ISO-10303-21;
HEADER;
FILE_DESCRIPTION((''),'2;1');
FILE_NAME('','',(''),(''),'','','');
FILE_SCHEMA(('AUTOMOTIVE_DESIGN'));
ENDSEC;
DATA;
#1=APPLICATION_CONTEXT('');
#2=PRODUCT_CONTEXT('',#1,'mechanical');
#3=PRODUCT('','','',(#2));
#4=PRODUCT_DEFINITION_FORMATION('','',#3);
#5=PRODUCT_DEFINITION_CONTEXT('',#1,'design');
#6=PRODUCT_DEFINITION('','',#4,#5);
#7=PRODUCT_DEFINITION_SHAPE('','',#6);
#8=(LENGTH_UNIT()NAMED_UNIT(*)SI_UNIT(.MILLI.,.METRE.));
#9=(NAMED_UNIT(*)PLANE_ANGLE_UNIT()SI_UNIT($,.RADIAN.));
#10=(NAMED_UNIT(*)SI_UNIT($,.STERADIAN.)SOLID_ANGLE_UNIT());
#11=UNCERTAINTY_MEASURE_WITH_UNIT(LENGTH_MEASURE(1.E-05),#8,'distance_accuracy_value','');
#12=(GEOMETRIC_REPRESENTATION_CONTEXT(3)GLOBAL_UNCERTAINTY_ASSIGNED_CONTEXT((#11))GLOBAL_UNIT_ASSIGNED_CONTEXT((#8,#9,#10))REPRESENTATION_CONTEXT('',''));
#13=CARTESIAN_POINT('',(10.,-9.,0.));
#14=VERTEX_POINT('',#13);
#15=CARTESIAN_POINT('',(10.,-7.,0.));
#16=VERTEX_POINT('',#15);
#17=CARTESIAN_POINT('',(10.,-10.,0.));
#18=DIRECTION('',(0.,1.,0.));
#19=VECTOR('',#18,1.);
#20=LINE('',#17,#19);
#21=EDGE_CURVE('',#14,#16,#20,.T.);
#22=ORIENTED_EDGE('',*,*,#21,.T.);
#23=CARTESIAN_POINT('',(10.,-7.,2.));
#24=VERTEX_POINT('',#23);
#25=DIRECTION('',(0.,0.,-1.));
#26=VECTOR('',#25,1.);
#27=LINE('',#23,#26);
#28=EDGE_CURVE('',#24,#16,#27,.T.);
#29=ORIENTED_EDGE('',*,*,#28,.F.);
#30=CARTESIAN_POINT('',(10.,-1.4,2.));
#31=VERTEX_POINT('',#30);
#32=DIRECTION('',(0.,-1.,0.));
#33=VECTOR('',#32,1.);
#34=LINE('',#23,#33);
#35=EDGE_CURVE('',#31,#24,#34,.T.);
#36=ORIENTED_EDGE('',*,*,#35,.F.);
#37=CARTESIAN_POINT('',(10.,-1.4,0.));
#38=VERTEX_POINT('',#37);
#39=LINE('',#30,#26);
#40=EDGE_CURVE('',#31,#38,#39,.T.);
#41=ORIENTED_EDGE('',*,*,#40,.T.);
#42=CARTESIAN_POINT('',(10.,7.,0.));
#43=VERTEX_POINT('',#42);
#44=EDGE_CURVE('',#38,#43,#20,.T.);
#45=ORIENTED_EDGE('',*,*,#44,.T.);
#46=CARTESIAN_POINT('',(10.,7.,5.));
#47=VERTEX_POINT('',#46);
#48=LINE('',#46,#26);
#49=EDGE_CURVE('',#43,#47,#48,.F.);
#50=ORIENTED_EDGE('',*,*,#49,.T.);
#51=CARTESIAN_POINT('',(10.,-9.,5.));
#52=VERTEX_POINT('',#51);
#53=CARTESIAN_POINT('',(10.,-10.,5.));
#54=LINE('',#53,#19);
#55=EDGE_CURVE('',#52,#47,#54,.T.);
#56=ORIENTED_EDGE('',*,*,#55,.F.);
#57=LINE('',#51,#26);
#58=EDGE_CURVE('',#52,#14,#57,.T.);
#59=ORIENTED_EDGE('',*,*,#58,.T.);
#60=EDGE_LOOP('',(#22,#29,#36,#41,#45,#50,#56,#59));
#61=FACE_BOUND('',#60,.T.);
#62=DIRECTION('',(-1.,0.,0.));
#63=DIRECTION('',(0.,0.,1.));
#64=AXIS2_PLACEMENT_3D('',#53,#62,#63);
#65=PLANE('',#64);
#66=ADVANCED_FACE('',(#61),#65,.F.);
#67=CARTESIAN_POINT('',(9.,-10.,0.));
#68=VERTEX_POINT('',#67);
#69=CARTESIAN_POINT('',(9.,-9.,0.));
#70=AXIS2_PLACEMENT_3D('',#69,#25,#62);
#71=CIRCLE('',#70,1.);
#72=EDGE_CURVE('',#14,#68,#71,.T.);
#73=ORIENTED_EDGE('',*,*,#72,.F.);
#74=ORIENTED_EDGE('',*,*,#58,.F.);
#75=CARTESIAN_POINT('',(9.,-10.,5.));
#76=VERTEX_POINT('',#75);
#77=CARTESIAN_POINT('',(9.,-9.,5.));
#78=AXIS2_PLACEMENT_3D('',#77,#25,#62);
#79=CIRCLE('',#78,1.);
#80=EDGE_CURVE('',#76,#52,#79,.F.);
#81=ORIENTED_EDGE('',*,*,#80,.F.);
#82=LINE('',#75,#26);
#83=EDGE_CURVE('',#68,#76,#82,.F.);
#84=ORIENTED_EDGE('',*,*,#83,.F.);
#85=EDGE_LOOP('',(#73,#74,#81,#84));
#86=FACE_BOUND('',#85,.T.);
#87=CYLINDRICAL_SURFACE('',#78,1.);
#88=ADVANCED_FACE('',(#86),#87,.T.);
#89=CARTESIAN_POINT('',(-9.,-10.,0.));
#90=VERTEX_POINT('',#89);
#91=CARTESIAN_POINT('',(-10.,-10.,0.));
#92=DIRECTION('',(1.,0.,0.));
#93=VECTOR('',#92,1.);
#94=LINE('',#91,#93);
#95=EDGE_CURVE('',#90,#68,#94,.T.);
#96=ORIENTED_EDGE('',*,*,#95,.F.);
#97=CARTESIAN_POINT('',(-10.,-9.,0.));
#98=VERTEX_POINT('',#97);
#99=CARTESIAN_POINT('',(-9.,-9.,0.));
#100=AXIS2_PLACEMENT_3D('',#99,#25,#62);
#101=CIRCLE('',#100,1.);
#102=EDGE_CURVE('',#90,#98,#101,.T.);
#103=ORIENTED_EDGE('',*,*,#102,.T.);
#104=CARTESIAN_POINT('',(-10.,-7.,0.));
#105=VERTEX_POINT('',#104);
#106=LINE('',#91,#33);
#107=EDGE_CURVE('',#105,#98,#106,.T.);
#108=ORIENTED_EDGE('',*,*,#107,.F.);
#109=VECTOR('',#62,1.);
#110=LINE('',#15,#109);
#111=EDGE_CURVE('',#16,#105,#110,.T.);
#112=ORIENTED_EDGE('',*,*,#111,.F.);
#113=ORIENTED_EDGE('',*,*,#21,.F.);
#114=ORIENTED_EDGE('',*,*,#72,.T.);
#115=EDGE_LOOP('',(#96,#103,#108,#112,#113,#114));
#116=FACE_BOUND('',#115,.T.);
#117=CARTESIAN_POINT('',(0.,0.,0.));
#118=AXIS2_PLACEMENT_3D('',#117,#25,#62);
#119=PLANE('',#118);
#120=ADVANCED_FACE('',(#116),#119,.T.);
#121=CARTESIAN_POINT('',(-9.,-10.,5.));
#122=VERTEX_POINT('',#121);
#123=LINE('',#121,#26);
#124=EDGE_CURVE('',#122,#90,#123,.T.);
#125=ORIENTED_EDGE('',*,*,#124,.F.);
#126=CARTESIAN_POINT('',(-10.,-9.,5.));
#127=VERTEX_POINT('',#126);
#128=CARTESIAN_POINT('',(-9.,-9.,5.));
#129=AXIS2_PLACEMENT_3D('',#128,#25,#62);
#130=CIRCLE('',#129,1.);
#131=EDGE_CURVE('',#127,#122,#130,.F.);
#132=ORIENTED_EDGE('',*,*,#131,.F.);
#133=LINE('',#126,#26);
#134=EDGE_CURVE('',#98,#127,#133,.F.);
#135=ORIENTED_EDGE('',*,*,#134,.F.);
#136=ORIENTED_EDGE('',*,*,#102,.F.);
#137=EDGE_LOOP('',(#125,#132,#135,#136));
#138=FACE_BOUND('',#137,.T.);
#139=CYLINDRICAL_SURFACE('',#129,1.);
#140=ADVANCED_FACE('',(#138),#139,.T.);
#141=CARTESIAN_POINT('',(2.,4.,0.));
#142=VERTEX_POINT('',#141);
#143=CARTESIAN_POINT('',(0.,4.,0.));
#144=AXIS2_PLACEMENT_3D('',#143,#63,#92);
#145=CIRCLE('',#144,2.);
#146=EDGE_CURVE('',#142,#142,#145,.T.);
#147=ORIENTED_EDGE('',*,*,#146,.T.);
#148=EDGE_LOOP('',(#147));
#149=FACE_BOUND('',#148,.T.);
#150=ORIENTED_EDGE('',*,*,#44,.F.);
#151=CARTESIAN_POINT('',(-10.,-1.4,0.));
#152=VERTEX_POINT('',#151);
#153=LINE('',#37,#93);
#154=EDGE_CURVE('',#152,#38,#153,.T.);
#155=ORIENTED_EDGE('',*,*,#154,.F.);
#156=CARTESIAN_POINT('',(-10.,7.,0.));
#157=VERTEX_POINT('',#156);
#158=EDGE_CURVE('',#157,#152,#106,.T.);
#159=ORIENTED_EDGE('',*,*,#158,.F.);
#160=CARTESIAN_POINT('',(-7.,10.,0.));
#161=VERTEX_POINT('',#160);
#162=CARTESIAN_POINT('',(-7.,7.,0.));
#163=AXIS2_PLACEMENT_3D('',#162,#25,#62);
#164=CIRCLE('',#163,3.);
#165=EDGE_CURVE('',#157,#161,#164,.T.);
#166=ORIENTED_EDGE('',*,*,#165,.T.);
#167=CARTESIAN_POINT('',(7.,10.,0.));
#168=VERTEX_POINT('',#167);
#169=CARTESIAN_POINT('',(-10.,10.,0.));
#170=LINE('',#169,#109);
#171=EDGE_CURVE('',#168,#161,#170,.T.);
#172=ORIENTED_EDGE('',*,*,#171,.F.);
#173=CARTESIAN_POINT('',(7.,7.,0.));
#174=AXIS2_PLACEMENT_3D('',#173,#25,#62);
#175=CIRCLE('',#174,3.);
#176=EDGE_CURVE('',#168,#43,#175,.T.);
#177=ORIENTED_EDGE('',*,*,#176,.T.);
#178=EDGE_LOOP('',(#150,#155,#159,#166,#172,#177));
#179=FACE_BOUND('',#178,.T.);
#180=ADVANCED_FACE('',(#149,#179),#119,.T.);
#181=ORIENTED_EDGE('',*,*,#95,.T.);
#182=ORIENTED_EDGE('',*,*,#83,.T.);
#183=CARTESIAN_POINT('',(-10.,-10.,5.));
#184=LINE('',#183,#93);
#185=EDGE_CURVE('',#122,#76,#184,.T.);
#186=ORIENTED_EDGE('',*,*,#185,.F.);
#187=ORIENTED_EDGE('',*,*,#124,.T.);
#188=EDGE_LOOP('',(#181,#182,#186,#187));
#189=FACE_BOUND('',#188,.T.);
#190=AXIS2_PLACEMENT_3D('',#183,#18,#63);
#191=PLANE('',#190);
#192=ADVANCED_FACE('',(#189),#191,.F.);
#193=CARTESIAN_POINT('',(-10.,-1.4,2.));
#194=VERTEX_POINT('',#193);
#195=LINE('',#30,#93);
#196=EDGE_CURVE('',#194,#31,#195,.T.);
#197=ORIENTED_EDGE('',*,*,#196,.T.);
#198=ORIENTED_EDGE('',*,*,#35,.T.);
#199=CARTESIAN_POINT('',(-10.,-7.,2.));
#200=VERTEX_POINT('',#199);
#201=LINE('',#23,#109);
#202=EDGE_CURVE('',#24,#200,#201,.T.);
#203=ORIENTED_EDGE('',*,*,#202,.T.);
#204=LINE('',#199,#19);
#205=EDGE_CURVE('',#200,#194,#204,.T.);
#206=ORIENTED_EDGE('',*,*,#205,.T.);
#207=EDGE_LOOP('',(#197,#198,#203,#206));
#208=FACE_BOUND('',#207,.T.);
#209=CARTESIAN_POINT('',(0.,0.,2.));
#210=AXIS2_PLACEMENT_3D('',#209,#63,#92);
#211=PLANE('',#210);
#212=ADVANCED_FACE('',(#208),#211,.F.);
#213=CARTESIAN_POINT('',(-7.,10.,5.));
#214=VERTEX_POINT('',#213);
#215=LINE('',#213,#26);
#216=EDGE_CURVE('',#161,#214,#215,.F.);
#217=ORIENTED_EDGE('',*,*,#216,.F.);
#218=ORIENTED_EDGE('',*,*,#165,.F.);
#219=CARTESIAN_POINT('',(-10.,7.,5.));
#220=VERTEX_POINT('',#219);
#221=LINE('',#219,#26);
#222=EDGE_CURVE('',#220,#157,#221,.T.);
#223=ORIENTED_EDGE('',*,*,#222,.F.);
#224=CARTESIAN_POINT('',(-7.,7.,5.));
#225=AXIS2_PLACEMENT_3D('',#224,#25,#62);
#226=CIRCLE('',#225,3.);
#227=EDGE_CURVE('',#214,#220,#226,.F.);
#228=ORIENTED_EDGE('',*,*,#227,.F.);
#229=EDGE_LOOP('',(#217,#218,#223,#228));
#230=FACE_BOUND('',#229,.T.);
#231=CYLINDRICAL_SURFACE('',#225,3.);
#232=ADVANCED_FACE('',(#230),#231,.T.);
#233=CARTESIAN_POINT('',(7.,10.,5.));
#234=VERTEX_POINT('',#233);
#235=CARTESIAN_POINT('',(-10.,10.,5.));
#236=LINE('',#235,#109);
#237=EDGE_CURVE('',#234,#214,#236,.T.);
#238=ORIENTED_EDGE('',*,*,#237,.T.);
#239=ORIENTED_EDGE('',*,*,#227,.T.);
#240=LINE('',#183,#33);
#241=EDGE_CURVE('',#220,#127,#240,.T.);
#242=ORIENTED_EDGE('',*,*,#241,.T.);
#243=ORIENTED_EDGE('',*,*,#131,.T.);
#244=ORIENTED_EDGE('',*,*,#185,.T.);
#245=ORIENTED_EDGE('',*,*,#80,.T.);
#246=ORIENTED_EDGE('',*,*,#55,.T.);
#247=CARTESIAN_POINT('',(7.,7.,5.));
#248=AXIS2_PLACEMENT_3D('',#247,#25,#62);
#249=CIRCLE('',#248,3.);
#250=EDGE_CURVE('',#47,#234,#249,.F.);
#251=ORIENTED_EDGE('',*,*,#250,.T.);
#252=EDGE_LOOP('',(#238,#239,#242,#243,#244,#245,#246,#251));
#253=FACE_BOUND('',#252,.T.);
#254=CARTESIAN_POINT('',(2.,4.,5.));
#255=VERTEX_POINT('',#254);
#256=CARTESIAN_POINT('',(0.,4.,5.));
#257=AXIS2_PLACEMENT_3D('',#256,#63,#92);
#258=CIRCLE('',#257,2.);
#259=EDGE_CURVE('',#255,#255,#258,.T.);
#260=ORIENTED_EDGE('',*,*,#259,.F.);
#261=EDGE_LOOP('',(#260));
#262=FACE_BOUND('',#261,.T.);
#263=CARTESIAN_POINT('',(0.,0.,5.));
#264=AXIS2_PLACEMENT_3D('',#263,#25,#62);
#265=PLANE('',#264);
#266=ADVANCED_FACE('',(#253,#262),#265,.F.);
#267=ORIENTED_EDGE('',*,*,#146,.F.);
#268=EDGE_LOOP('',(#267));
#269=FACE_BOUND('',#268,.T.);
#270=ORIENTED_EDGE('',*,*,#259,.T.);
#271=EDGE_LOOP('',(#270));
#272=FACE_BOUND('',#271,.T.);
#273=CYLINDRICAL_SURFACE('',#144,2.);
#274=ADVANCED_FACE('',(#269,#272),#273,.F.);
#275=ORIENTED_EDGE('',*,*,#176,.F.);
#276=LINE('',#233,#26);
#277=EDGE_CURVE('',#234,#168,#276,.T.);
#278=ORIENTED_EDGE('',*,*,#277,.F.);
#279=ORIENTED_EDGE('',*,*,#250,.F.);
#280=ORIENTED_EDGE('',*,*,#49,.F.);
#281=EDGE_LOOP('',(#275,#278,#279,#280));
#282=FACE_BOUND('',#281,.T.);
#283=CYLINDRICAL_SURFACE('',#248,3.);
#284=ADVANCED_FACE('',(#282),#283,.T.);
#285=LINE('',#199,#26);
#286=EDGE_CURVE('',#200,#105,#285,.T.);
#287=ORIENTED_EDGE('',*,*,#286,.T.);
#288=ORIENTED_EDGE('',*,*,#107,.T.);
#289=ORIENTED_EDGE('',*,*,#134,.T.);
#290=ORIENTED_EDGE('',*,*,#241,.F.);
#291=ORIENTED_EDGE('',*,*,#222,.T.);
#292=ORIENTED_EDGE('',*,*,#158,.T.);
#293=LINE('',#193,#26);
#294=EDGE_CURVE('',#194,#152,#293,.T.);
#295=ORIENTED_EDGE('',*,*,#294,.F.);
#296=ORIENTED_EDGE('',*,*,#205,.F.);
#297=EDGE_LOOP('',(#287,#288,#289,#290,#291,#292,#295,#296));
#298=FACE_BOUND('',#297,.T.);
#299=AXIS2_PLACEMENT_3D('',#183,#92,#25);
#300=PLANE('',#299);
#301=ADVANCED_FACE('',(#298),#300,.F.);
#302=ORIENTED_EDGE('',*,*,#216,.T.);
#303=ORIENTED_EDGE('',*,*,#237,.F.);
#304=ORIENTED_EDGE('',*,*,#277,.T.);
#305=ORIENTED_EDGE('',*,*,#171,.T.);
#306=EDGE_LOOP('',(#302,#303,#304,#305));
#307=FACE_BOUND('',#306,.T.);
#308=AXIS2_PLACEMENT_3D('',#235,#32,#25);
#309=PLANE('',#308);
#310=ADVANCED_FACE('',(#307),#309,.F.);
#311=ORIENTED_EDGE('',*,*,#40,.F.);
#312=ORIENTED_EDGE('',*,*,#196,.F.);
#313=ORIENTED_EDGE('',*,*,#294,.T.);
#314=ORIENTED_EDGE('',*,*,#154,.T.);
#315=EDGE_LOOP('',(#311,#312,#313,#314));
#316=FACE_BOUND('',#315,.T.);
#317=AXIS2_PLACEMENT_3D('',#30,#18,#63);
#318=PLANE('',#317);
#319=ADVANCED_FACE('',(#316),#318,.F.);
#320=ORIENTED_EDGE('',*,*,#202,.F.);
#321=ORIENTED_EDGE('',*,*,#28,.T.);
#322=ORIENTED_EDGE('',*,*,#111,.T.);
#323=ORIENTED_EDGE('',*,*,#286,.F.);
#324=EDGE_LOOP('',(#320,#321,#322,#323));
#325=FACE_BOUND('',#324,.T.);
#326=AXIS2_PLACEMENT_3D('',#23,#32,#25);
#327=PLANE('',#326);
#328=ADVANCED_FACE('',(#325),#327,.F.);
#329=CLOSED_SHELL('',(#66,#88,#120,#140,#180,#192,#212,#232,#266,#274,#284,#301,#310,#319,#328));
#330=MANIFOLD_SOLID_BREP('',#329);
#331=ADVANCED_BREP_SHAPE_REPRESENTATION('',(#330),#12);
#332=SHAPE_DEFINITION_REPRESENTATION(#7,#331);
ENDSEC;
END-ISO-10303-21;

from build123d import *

# Parameters (mm, degrees)
SKETCH1_W           = 20
SKETCH1_H           = 20
BOSS_EXTRUDE1_DEPTH = 5
SKETCH2_R           = 2
CUT_EXTRUDE1_DEPTH  = 6
FILLET1_R           = 3
FILLET2_R           = 1
SKETCH3_W           = 20
SKETCH3_H           = 5.6
CUT_EXTRUDE2_DEPTH  = 2


with BuildPart() as part:
    # Sketch1 → Boss-Extrude1 (new body)
    with BuildSketch(Plane.XY):
        Rectangle(SKETCH1_W, SKETCH1_H)
    extrude(amount=BOSS_EXTRUDE1_DEPTH)

    # Sketch2 → Cut-Extrude1 (cut, through all)
    with BuildSketch(Plane.XY.offset(5)):
        with Locations((0, 4)):
            Circle(SKETCH2_R)
    extrude(amount=-CUT_EXTRUDE1_DEPTH, mode=Mode.SUBTRACT)

    # Fillet1
    fillet1_edges = [part.edges().sort_by_distance(p)[0] for p in [
        (-10, 10, 2.5),
        (10, 10, 2.5),
    ]]
    fillet(fillet1_edges, radius=FILLET1_R)

    # Fillet2
    fillet2_edges = [part.edges().sort_by_distance(p)[0] for p in [
        (10, -10, 2.5),
        (-10, -10, 2.5),
    ]]
    fillet(fillet2_edges, radius=FILLET2_R)

    # Sketch3 → Cut-Extrude2 (cut)
    with BuildSketch(Plane(origin=(0, 0, 0), x_dir=(-1, 0, 0), z_dir=(0, 0, -1))):
        with Locations((0, -4.2)):
            Rectangle(SKETCH3_W, SKETCH3_H)
    extrude(amount=-CUT_EXTRUDE2_DEPTH, mode=Mode.SUBTRACT)


solid = part.part
